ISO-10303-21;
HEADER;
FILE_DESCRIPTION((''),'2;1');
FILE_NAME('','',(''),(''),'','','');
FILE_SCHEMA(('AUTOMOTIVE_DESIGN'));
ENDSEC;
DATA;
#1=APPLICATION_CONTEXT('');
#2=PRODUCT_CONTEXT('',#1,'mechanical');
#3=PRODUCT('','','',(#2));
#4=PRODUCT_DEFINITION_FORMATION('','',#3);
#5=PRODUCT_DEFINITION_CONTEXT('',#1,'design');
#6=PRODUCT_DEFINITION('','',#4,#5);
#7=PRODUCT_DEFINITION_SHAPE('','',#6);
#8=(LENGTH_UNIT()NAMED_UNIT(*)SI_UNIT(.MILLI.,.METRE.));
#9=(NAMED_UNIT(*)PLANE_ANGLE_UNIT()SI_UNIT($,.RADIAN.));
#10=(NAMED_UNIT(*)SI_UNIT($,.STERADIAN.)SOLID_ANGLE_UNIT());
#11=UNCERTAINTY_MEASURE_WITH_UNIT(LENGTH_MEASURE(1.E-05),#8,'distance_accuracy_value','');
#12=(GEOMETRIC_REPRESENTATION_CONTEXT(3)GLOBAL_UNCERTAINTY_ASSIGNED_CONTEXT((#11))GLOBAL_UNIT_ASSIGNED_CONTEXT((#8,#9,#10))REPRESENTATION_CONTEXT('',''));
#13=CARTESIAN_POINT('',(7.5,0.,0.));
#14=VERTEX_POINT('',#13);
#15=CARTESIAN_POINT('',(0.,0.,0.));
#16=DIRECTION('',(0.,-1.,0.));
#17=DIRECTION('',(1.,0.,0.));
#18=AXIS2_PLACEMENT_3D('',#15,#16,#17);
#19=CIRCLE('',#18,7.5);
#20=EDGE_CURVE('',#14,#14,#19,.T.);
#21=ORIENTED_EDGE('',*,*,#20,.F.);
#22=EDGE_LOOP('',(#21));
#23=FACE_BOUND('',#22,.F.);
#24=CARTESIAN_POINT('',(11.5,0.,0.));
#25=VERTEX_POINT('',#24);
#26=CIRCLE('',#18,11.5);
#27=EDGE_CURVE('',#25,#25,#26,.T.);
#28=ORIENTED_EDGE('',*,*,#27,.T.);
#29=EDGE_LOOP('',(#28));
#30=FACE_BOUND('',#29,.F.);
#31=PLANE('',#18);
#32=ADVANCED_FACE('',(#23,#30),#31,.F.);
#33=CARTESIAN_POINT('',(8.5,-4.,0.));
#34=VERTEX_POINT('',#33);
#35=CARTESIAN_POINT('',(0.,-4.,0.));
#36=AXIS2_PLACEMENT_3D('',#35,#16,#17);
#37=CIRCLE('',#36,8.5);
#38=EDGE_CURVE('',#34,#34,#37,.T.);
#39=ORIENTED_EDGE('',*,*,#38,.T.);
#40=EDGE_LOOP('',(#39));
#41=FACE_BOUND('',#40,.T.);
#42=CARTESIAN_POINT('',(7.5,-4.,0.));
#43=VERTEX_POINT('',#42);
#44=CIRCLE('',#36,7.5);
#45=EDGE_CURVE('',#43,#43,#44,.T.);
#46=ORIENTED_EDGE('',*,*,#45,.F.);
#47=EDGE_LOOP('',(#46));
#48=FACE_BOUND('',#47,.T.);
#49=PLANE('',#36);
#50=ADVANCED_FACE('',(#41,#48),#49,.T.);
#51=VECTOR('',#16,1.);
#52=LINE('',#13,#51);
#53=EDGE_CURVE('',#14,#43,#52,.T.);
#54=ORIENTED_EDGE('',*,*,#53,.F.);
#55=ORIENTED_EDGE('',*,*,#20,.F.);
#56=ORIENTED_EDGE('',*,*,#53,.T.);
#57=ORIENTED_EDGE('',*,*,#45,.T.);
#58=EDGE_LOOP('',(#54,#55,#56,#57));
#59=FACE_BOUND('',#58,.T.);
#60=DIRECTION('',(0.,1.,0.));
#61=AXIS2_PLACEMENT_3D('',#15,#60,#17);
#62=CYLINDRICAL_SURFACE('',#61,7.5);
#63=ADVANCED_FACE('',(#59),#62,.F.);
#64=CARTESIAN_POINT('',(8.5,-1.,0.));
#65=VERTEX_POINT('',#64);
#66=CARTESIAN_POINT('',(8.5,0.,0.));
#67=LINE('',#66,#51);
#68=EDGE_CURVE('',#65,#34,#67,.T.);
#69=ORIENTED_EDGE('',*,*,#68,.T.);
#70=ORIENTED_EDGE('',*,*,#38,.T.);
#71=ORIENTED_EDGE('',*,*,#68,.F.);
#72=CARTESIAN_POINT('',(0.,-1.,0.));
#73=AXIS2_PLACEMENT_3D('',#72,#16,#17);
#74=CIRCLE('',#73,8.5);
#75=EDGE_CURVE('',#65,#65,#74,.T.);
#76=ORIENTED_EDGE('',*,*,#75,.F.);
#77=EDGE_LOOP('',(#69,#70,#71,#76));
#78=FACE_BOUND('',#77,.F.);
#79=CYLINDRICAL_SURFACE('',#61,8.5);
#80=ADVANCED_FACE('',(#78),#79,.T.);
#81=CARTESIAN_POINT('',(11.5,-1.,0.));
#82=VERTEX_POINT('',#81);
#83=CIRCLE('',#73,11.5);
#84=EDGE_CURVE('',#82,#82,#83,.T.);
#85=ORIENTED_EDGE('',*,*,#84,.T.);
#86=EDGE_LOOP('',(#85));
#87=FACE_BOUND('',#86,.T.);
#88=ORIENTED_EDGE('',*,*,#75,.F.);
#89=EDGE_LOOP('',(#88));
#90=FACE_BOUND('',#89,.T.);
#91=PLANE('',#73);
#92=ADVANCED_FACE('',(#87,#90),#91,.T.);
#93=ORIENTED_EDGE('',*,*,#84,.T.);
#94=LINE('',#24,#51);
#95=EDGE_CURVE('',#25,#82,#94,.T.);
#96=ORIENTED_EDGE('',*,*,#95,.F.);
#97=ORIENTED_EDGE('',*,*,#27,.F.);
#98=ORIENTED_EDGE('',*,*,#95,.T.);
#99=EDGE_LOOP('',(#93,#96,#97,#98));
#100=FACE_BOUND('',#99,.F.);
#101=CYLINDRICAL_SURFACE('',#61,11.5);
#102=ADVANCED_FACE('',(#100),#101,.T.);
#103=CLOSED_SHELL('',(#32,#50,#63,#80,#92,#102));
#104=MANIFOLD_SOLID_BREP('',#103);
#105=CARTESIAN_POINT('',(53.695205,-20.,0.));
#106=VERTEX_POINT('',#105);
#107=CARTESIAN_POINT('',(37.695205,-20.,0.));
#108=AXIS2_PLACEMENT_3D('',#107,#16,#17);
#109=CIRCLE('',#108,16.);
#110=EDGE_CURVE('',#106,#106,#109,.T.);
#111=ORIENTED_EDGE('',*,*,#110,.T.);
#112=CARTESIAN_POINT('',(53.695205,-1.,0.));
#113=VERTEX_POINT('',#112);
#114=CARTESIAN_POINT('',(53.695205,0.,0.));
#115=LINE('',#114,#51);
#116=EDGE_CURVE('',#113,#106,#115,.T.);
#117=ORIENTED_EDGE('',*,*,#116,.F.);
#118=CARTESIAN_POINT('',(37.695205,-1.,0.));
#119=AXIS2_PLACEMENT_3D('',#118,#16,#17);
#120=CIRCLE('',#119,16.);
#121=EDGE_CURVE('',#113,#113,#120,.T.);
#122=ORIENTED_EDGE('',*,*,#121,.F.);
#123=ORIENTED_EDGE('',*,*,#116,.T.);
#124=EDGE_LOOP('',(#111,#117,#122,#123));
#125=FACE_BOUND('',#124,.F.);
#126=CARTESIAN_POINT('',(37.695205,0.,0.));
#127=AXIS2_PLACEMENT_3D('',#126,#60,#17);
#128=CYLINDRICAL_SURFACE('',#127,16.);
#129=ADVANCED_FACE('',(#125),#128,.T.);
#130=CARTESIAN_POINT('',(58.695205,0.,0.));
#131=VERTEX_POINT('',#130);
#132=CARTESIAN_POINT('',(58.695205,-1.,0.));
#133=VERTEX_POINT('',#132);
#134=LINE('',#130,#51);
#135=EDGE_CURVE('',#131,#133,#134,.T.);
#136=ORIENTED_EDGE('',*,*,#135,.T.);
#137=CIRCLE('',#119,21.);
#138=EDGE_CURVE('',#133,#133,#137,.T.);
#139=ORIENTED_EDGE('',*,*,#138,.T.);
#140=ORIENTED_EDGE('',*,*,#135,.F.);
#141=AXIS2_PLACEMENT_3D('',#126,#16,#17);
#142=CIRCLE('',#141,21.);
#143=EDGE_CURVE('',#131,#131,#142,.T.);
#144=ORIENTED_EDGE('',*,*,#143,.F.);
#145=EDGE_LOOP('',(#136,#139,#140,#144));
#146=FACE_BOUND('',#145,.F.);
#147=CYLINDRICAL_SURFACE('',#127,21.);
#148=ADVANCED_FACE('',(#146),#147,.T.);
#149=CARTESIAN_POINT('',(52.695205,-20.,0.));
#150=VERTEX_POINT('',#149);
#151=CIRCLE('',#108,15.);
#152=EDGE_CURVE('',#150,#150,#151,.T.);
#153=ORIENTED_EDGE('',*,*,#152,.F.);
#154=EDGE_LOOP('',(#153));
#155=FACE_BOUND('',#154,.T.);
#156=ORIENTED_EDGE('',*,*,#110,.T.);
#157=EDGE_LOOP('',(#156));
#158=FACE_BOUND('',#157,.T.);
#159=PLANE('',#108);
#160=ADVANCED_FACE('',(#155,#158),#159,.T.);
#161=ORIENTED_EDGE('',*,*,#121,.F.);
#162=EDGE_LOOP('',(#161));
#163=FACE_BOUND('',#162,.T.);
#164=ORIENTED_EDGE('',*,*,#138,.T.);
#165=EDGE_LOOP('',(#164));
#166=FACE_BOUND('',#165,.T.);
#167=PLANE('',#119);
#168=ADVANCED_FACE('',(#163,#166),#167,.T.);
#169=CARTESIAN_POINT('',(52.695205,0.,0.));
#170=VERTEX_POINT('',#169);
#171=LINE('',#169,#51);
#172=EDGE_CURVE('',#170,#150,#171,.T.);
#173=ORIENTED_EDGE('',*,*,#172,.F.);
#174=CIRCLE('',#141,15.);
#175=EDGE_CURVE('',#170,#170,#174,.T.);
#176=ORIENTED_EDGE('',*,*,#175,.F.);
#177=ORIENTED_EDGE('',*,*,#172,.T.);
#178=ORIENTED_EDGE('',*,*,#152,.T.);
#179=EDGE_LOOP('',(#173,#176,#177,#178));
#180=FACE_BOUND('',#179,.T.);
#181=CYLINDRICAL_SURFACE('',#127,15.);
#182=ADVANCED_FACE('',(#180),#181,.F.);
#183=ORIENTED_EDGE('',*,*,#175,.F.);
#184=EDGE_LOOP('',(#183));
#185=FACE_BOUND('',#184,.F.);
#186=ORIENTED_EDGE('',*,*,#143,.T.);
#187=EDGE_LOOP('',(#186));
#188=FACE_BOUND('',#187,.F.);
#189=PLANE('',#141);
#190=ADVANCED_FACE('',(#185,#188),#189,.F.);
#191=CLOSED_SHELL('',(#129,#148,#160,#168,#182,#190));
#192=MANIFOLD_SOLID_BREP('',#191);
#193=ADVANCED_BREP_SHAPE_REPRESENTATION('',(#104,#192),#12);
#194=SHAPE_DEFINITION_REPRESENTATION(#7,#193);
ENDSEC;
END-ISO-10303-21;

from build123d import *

# Parameters (mm, degrees)
F0_R     = 8.5
F0_R_2   = 7.5
F1_DEPTH = 4
F2_R     = 16
F2_R_2   = 15
F3_DEPTH = 20
F2_R_3   = 21
F4_DEPTH = 1
F0_R_3   = 11.5
F5_DEPTH = 1


with BuildPart() as f1:
    # F0 (on Front) → F1 (new body)
    with BuildSketch(Plane.XZ):
        Circle(F0_R)
        Circle(F0_R_2, mode=Mode.SUBTRACT)
    extrude(amount=F1_DEPTH)

    # F0 (on Front) → F5 (join)
    with BuildSketch(Plane.XZ):
        Circle(F0_R_3)
        Circle(F0_R, mode=Mode.SUBTRACT)
    extrude(amount=F5_DEPTH)


with BuildPart() as f3:
    # F2 (on Front) → F3 (new body)
    with BuildSketch(Plane.XZ):
        with Locations((37.695205, 0)):
            Circle(F2_R)
        with Locations((37.695205, 0)):
            Circle(F2_R_2, mode=Mode.SUBTRACT)
    extrude(amount=F3_DEPTH)

    # F2 (on Front) → F4 (join)
    with BuildSketch(Plane.XZ):
        with Locations((37.695205, 0)):
            Circle(F2_R_3)
        with Locations((37.695205, 0)):
            Circle(F2_R, mode=Mode.SUBTRACT)
    extrude(amount=F4_DEPTH)


solid = Compound([f1.part, f3.part])
